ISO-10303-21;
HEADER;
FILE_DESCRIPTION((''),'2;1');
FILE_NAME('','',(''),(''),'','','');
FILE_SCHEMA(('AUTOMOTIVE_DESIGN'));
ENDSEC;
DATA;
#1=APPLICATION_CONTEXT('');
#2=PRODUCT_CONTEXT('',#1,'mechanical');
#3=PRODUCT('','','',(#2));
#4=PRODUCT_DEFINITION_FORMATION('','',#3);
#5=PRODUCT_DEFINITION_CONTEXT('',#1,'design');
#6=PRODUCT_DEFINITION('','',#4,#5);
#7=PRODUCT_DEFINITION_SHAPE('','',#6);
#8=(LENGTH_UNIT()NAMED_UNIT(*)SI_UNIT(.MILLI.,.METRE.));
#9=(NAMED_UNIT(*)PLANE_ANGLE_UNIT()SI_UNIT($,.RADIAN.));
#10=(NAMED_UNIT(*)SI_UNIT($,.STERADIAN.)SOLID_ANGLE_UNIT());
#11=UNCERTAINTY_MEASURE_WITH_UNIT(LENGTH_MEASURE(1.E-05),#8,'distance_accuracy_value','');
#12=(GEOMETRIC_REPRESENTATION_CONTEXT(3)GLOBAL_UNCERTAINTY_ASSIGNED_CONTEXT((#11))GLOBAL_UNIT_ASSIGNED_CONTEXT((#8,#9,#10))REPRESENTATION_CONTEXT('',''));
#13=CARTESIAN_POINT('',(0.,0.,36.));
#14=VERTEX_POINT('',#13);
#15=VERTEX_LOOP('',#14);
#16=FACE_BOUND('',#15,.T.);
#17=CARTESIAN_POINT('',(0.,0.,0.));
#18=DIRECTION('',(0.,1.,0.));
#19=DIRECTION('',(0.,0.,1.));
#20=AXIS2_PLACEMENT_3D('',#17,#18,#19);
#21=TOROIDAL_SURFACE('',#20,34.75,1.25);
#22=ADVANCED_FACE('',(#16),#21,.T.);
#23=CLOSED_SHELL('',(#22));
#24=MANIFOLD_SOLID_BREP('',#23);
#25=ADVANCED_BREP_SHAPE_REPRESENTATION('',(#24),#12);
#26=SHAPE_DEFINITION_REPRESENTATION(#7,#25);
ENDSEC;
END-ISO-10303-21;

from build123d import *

# Parameters (mm, degrees)
SKETCH_1_R = 1.25


with BuildPart() as part:
    # Эскиз1 → Повернуть1 (revolve)
    with BuildSketch(Plane.XY, mode=Mode.PRIVATE) as revolve_1_sk:
        with Locations((-34.75, 0)):
            Circle(SKETCH_1_R)
    revolve(revolve_1_sk.sketch.rotate(Axis((0, 8.283775897, 0), (0, -1, 0)), 270), axis=Axis((0, 8.283775897, 0), (0, -1, 0)))


solid = part.part
